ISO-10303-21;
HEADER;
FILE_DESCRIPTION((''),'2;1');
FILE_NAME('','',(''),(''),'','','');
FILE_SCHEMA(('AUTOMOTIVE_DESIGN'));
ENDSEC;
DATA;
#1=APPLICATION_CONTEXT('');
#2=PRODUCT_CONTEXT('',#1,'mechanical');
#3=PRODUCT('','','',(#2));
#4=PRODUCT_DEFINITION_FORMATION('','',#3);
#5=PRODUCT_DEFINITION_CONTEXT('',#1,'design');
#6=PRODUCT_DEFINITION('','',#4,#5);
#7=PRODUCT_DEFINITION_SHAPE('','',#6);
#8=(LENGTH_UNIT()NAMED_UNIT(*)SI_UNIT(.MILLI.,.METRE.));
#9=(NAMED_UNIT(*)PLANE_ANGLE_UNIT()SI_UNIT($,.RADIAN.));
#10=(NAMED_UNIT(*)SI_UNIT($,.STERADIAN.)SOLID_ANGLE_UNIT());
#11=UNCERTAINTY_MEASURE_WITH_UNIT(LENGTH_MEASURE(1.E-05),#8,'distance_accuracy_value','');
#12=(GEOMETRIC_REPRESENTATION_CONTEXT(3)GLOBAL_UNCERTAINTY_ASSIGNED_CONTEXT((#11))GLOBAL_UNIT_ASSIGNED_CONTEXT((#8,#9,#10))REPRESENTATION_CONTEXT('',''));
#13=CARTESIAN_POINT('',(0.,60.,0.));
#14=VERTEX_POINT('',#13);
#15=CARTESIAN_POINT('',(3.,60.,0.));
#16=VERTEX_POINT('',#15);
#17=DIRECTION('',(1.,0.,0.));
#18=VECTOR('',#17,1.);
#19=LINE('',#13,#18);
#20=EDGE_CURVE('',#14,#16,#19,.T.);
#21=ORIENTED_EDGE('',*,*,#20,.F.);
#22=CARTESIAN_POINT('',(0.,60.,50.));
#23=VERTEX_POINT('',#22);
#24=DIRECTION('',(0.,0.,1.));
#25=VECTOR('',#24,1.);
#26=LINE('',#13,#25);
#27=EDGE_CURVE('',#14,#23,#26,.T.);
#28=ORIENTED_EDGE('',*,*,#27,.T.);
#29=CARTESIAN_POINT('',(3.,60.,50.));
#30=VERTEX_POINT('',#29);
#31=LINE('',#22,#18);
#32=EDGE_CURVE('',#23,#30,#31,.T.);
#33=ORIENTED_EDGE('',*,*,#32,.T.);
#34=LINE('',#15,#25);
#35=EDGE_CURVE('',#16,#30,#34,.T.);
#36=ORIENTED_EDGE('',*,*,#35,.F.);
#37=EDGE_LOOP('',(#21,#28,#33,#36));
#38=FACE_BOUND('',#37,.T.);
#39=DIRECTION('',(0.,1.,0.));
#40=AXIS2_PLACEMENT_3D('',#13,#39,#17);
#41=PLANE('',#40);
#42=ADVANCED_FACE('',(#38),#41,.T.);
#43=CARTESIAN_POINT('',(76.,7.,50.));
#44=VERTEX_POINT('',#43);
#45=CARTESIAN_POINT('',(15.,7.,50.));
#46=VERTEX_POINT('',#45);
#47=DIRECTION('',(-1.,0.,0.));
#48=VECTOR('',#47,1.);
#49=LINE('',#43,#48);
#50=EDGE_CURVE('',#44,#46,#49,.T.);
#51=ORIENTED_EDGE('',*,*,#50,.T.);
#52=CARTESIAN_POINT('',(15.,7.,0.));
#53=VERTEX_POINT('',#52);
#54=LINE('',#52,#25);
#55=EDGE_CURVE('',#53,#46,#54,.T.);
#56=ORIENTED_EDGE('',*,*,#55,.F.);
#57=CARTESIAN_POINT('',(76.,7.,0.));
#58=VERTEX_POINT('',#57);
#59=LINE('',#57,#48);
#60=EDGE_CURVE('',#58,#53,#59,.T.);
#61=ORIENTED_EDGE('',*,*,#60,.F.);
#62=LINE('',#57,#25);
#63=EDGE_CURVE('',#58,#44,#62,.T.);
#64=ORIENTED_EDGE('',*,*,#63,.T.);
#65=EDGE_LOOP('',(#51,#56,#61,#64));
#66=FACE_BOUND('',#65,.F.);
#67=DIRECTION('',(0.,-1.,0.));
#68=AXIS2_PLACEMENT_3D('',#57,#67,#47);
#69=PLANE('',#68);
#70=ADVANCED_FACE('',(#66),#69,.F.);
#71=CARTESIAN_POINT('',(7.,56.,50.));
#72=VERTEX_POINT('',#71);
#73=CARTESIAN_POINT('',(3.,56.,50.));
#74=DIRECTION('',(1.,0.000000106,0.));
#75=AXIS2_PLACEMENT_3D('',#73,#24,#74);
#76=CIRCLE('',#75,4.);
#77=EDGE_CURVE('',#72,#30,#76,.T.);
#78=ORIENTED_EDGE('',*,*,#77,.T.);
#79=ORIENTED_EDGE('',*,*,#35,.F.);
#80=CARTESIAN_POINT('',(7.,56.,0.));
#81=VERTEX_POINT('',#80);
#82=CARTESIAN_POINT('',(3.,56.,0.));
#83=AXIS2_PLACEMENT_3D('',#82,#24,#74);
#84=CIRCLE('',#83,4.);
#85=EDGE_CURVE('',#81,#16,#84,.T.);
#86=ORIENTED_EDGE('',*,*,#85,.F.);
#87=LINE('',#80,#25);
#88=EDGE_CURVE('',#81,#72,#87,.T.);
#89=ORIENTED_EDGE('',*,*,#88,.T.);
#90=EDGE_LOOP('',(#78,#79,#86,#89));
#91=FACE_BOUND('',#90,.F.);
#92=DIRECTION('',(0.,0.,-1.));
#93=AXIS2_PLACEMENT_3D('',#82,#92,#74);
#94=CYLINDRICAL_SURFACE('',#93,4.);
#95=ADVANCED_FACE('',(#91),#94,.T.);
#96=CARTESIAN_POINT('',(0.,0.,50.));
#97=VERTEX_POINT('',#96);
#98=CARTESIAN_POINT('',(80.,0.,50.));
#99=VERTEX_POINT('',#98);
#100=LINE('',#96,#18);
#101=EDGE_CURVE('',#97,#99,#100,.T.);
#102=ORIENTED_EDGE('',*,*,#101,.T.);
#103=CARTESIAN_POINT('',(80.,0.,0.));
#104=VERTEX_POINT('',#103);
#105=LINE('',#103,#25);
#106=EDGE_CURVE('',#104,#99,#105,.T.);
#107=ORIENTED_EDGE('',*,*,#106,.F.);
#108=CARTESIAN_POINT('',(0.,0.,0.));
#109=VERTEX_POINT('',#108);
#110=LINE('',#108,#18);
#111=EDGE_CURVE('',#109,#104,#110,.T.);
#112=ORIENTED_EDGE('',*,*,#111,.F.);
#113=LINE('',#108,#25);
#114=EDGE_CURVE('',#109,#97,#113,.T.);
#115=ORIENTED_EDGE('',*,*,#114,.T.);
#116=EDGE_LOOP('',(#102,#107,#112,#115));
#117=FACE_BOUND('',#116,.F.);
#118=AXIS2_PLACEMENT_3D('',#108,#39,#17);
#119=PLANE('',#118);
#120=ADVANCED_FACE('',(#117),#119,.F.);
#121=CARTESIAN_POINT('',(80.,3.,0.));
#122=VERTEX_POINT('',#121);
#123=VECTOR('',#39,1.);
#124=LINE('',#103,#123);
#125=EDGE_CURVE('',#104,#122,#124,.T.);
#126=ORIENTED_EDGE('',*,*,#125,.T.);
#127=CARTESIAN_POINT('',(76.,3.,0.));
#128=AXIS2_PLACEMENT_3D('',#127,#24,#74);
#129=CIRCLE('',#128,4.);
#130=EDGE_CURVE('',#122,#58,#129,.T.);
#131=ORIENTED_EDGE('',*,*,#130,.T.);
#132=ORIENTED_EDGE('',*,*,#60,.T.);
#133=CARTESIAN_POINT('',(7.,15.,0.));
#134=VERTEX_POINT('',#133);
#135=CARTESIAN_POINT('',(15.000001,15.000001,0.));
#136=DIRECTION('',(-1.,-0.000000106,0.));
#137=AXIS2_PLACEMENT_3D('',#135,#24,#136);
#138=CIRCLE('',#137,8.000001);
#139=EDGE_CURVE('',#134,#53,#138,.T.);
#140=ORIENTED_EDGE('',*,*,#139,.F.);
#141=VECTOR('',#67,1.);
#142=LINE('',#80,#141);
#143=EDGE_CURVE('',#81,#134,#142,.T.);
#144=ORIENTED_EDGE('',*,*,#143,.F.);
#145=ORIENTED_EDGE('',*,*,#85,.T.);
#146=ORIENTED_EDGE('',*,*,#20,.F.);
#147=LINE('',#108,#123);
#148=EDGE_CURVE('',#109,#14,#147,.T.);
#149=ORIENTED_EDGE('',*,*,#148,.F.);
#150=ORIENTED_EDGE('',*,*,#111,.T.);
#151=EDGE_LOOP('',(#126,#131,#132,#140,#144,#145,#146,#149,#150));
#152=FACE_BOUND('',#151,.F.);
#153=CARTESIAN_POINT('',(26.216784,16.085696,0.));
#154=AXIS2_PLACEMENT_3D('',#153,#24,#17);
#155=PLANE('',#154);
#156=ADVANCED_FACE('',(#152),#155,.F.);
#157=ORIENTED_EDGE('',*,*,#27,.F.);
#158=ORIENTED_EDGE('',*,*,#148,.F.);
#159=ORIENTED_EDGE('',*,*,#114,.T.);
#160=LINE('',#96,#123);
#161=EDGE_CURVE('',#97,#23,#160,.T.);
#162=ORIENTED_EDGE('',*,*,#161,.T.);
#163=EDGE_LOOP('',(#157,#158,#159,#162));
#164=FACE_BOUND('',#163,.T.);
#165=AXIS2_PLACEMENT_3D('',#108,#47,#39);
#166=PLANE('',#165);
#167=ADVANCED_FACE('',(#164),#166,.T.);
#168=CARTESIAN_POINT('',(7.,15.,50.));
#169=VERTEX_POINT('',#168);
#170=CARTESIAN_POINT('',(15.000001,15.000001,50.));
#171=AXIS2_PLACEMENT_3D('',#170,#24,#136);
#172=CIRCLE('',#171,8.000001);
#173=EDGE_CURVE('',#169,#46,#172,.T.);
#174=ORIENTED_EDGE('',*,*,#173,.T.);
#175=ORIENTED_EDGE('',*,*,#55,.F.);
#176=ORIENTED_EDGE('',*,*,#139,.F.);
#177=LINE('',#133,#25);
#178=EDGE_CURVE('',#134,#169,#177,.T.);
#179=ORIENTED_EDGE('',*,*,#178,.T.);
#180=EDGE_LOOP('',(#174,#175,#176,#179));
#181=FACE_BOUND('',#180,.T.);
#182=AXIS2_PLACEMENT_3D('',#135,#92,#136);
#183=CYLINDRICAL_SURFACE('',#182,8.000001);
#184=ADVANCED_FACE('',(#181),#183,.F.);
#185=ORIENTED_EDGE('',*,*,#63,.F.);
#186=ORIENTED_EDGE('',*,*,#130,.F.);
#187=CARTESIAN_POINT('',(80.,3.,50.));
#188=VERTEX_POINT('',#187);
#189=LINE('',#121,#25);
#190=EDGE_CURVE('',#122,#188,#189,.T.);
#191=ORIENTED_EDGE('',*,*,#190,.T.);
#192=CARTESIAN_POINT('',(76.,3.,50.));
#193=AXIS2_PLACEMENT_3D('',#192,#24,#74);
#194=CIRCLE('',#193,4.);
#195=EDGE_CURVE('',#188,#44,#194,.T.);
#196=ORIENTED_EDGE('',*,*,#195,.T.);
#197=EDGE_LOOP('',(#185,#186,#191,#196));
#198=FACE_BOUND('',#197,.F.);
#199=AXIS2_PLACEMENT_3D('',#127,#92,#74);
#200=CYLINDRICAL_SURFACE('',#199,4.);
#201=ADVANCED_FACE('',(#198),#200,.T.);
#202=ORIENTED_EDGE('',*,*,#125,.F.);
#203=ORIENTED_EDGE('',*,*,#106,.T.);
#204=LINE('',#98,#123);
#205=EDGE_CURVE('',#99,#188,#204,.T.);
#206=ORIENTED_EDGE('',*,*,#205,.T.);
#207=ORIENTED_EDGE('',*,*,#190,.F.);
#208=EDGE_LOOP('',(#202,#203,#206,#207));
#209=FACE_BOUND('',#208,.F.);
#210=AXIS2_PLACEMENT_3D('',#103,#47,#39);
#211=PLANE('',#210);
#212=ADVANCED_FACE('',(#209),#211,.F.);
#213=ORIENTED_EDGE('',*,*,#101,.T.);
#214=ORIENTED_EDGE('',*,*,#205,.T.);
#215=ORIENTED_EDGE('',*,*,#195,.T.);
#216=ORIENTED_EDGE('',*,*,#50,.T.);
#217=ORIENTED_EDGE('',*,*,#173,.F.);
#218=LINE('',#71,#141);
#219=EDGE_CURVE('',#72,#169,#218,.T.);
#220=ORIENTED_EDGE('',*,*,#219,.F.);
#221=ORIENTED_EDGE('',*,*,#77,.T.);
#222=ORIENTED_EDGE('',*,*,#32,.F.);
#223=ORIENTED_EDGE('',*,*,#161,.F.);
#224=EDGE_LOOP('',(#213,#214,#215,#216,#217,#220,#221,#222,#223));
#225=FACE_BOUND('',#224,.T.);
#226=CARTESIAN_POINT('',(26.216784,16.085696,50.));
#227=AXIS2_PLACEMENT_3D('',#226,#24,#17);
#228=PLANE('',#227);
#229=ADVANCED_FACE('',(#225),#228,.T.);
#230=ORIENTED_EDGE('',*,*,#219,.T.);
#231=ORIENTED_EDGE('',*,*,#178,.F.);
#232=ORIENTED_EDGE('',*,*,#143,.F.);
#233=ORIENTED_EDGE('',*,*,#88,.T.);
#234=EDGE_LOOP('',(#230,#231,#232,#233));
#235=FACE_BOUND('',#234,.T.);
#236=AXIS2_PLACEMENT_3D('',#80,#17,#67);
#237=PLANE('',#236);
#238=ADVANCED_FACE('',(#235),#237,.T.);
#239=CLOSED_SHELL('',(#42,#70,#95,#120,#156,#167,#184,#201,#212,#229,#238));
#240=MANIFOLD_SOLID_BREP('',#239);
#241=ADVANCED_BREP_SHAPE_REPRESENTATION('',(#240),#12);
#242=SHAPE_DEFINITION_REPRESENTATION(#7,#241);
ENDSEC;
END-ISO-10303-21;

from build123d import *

# Parameters (mm, degrees)
EXTRUDE_DEPTH = 50


with BuildPart() as part:
    # Sketch → Extrude (new body)
    with BuildSketch(Plane.XY):
        with BuildLine():
            Line((0, 0), (80, 0))
            Line((80, 0), (80, 3))
            ThreePointArc((80, 3), (78.828427, 5.828427), (76, 7))
            Line((76, 7), (15, 7))
            ThreePointArc((7, 15), (9.343146, 9.343146), (15, 7))
            Line((7, 56), (7, 15))
            ThreePointArc((7, 56), (5.828427, 58.828427), (3, 60))
            Line((0, 60), (3, 60))
            Line((0, 0), (0, 60))
        make_face()
    extrude(amount=EXTRUDE_DEPTH)


solid = part.part
